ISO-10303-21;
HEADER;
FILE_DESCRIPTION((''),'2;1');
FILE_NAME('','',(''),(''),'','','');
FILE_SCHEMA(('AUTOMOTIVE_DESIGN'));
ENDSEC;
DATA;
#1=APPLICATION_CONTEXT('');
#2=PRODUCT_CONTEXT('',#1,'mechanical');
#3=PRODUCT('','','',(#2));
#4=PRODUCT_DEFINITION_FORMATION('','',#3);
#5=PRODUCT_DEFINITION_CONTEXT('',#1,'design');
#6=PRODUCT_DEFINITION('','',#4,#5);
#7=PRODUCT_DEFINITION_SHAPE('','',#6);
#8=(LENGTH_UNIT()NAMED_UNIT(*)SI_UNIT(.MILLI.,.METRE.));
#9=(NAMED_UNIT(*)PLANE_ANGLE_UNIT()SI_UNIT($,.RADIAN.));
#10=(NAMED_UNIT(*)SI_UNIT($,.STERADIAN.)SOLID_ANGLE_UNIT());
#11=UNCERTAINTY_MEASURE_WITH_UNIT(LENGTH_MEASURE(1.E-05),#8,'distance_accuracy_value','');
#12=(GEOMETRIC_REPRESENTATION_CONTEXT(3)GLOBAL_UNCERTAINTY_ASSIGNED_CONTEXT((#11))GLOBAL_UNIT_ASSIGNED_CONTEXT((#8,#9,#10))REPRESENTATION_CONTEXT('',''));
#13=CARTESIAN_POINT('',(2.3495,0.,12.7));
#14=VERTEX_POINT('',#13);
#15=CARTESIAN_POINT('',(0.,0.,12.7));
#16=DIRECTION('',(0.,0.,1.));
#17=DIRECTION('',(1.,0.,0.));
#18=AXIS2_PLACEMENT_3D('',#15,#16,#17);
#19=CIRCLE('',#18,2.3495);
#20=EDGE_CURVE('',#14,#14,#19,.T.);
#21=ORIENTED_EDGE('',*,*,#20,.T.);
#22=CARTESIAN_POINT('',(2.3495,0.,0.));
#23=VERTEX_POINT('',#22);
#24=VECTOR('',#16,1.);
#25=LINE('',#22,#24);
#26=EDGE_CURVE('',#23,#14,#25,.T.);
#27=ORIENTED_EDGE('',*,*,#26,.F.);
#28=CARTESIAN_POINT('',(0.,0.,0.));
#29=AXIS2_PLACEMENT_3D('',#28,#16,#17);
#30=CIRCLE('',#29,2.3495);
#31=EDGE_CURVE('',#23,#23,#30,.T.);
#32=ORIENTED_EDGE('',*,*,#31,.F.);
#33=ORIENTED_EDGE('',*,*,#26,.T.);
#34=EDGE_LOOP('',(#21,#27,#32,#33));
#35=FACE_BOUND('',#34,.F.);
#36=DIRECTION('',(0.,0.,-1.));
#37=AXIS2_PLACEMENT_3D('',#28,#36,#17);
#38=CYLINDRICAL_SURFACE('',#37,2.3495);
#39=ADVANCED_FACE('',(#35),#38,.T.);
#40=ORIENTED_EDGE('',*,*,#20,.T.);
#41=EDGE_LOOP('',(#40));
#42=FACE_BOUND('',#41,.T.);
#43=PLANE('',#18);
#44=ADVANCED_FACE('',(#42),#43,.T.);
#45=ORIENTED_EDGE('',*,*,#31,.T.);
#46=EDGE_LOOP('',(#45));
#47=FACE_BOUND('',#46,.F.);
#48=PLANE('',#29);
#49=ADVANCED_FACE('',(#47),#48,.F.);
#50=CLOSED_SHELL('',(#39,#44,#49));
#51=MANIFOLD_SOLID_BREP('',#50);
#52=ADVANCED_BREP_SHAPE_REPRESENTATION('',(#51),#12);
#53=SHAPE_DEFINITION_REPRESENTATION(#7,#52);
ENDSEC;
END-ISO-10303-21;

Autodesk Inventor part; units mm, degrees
ref_plane "YZ Plane" through (0, 0, 0) normal (1, 0, 0) x (0, 1, 0)
ref_plane "XZ Plane" through (0, 0, 0) normal (0, 1, 0) x (-1, 0, 0)
ref_plane "XY Plane" through (0, 0, 0) normal (0, 0, 1) x (1, 0, 0)
sketch "Sketch1" plane through (0, 0, 0) normal (0, 0, 1) x (1, 0, 0)
  circle A0 centre (0, 0) radius 2.3495
  dimension "d0" = 4.699
extrude "Extrusion1" add sketch "Sketch1" along normal blind 12.7
thread "Thread1" size "10-24 UNC" class "2A" standard "ANSI Unified Screw Threads" full length
properties part number "Small Gear Threaded Rod"
